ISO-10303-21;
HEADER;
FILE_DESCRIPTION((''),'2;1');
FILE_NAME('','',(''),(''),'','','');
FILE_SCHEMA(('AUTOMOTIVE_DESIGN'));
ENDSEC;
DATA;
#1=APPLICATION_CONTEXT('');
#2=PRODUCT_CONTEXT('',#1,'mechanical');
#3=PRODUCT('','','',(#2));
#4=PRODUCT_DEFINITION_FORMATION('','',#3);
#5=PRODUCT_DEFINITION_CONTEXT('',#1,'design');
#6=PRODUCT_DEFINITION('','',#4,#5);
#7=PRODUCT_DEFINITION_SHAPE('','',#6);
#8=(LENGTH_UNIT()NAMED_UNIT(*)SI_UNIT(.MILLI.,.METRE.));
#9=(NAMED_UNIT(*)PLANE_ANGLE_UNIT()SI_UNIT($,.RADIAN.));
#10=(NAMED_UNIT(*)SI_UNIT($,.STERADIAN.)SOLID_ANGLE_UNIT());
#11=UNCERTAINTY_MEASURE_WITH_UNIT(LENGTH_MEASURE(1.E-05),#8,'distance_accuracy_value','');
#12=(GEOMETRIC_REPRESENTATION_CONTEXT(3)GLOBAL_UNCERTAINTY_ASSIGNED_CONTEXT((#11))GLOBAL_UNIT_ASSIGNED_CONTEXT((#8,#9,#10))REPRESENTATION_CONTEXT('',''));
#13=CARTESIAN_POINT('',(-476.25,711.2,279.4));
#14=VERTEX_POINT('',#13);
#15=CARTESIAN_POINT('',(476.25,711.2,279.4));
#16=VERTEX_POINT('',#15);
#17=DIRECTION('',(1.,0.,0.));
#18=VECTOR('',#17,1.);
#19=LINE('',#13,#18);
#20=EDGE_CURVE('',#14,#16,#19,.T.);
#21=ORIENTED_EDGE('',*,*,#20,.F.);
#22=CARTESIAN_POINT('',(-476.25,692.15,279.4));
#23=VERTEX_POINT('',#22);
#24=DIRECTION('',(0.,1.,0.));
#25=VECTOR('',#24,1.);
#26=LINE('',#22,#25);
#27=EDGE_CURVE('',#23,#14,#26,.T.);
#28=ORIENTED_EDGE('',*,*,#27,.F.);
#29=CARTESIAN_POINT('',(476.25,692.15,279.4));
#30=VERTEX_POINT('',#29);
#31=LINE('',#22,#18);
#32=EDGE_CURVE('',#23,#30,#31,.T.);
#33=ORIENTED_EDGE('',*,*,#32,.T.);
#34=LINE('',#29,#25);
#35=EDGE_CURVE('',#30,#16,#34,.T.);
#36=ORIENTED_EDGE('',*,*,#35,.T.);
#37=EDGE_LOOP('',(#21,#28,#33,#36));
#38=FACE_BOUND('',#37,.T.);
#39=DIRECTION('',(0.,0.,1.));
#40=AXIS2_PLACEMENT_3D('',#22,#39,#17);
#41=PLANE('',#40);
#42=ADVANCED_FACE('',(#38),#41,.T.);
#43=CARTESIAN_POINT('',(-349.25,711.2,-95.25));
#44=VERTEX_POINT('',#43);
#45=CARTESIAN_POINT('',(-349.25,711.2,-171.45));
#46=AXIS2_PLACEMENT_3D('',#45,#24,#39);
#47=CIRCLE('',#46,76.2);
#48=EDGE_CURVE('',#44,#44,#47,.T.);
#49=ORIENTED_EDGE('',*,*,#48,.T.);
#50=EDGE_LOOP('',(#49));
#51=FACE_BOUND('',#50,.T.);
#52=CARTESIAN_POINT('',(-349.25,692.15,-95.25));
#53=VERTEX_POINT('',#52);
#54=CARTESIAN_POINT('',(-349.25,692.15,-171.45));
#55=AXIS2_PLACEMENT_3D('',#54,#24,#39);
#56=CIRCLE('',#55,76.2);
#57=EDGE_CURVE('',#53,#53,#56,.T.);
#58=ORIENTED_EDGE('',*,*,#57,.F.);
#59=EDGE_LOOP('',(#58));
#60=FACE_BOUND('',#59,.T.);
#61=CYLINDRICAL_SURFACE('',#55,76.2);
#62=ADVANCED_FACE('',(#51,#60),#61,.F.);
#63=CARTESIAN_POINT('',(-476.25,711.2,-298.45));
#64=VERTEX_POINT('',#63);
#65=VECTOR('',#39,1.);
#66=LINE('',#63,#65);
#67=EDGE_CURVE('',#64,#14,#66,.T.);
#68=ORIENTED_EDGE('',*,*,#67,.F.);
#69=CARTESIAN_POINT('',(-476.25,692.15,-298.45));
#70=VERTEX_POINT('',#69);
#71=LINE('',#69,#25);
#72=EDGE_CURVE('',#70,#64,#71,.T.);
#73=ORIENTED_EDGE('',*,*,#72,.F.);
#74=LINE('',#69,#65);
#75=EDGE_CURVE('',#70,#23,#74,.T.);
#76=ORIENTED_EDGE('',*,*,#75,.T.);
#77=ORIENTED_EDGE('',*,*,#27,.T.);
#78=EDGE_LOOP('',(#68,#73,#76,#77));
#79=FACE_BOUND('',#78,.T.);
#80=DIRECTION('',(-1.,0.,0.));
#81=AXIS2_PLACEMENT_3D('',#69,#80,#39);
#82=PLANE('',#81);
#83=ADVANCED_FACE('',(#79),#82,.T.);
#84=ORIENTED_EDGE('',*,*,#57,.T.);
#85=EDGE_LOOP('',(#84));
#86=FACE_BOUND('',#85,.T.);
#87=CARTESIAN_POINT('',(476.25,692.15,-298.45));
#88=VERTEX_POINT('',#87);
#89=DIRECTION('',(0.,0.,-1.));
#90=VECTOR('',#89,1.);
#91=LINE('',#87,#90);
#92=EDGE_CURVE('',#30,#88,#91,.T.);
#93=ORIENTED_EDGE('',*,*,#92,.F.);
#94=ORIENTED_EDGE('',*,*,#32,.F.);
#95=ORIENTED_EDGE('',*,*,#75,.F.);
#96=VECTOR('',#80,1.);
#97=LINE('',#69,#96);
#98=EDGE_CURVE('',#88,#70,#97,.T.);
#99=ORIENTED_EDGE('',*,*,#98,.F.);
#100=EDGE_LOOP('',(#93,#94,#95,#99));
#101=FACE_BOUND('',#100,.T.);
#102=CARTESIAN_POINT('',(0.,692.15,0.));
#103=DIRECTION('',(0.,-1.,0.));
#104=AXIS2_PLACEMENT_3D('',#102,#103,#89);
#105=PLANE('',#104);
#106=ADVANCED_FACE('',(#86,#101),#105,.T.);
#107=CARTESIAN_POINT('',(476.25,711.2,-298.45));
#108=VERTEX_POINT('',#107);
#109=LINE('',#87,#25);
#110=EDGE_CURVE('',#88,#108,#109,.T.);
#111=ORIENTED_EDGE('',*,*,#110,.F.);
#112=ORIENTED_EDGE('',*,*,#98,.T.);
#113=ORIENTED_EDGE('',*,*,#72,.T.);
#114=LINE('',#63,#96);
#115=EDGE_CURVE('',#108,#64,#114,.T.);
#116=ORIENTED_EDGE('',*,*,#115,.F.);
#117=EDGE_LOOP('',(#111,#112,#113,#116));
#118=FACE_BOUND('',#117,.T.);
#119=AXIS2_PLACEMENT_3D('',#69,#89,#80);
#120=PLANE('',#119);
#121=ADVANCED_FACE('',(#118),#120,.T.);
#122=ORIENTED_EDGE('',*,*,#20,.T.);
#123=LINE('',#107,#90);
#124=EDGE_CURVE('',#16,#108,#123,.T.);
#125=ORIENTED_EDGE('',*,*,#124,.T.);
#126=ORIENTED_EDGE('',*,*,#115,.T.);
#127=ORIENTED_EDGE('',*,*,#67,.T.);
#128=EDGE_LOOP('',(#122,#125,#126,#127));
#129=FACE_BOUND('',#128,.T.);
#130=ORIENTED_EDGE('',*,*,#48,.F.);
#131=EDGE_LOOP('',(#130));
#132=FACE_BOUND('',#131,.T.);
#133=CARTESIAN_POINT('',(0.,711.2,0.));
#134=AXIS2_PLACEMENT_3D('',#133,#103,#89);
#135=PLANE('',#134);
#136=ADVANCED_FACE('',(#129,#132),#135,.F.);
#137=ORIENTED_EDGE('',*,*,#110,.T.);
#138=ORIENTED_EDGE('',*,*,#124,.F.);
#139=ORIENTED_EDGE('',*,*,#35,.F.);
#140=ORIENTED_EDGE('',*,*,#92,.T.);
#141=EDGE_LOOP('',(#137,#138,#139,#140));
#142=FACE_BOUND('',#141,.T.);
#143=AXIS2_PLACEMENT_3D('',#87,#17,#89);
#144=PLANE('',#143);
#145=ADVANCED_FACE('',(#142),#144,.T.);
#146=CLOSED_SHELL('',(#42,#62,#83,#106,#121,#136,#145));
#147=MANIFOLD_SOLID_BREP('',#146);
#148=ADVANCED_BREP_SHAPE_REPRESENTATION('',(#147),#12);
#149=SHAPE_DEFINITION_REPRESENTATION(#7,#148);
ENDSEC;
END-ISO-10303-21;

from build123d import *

# Parameters (mm, degrees)
SKETCH3_W           = 952.5
SKETCH3_H           = 577.85
BOSS_EXTRUDE2_DEPTH = 19.05
SKETCH4_R           = 76.2
CUT_EXTRUDE1_DEPTH  = 563.360531599


with BuildPart() as part:
    # Sketch3 → Boss-Extrude2 (new body)
    with BuildSketch(Plane(origin=(0, 711.2, 0), x_dir=(1, 0, 0), z_dir=(0, 1, 0))):
        with Locations((0, 9.525)):
            Rectangle(SKETCH3_W, SKETCH3_H)
    extrude(amount=-BOSS_EXTRUDE2_DEPTH)

    # Sketch4 → Cut-Extrude1 (cut, through all)
    with BuildSketch(Plane(origin=(0, 711.2, 0), x_dir=(1, 0, 0), z_dir=(0, 1, 0))):
        with Locations(Location((-349.25, 171.45, 0), (0, 0, 270))):
            Circle(SKETCH4_R)
    extrude(amount=-CUT_EXTRUDE1_DEPTH, mode=Mode.SUBTRACT)


solid = part.part
